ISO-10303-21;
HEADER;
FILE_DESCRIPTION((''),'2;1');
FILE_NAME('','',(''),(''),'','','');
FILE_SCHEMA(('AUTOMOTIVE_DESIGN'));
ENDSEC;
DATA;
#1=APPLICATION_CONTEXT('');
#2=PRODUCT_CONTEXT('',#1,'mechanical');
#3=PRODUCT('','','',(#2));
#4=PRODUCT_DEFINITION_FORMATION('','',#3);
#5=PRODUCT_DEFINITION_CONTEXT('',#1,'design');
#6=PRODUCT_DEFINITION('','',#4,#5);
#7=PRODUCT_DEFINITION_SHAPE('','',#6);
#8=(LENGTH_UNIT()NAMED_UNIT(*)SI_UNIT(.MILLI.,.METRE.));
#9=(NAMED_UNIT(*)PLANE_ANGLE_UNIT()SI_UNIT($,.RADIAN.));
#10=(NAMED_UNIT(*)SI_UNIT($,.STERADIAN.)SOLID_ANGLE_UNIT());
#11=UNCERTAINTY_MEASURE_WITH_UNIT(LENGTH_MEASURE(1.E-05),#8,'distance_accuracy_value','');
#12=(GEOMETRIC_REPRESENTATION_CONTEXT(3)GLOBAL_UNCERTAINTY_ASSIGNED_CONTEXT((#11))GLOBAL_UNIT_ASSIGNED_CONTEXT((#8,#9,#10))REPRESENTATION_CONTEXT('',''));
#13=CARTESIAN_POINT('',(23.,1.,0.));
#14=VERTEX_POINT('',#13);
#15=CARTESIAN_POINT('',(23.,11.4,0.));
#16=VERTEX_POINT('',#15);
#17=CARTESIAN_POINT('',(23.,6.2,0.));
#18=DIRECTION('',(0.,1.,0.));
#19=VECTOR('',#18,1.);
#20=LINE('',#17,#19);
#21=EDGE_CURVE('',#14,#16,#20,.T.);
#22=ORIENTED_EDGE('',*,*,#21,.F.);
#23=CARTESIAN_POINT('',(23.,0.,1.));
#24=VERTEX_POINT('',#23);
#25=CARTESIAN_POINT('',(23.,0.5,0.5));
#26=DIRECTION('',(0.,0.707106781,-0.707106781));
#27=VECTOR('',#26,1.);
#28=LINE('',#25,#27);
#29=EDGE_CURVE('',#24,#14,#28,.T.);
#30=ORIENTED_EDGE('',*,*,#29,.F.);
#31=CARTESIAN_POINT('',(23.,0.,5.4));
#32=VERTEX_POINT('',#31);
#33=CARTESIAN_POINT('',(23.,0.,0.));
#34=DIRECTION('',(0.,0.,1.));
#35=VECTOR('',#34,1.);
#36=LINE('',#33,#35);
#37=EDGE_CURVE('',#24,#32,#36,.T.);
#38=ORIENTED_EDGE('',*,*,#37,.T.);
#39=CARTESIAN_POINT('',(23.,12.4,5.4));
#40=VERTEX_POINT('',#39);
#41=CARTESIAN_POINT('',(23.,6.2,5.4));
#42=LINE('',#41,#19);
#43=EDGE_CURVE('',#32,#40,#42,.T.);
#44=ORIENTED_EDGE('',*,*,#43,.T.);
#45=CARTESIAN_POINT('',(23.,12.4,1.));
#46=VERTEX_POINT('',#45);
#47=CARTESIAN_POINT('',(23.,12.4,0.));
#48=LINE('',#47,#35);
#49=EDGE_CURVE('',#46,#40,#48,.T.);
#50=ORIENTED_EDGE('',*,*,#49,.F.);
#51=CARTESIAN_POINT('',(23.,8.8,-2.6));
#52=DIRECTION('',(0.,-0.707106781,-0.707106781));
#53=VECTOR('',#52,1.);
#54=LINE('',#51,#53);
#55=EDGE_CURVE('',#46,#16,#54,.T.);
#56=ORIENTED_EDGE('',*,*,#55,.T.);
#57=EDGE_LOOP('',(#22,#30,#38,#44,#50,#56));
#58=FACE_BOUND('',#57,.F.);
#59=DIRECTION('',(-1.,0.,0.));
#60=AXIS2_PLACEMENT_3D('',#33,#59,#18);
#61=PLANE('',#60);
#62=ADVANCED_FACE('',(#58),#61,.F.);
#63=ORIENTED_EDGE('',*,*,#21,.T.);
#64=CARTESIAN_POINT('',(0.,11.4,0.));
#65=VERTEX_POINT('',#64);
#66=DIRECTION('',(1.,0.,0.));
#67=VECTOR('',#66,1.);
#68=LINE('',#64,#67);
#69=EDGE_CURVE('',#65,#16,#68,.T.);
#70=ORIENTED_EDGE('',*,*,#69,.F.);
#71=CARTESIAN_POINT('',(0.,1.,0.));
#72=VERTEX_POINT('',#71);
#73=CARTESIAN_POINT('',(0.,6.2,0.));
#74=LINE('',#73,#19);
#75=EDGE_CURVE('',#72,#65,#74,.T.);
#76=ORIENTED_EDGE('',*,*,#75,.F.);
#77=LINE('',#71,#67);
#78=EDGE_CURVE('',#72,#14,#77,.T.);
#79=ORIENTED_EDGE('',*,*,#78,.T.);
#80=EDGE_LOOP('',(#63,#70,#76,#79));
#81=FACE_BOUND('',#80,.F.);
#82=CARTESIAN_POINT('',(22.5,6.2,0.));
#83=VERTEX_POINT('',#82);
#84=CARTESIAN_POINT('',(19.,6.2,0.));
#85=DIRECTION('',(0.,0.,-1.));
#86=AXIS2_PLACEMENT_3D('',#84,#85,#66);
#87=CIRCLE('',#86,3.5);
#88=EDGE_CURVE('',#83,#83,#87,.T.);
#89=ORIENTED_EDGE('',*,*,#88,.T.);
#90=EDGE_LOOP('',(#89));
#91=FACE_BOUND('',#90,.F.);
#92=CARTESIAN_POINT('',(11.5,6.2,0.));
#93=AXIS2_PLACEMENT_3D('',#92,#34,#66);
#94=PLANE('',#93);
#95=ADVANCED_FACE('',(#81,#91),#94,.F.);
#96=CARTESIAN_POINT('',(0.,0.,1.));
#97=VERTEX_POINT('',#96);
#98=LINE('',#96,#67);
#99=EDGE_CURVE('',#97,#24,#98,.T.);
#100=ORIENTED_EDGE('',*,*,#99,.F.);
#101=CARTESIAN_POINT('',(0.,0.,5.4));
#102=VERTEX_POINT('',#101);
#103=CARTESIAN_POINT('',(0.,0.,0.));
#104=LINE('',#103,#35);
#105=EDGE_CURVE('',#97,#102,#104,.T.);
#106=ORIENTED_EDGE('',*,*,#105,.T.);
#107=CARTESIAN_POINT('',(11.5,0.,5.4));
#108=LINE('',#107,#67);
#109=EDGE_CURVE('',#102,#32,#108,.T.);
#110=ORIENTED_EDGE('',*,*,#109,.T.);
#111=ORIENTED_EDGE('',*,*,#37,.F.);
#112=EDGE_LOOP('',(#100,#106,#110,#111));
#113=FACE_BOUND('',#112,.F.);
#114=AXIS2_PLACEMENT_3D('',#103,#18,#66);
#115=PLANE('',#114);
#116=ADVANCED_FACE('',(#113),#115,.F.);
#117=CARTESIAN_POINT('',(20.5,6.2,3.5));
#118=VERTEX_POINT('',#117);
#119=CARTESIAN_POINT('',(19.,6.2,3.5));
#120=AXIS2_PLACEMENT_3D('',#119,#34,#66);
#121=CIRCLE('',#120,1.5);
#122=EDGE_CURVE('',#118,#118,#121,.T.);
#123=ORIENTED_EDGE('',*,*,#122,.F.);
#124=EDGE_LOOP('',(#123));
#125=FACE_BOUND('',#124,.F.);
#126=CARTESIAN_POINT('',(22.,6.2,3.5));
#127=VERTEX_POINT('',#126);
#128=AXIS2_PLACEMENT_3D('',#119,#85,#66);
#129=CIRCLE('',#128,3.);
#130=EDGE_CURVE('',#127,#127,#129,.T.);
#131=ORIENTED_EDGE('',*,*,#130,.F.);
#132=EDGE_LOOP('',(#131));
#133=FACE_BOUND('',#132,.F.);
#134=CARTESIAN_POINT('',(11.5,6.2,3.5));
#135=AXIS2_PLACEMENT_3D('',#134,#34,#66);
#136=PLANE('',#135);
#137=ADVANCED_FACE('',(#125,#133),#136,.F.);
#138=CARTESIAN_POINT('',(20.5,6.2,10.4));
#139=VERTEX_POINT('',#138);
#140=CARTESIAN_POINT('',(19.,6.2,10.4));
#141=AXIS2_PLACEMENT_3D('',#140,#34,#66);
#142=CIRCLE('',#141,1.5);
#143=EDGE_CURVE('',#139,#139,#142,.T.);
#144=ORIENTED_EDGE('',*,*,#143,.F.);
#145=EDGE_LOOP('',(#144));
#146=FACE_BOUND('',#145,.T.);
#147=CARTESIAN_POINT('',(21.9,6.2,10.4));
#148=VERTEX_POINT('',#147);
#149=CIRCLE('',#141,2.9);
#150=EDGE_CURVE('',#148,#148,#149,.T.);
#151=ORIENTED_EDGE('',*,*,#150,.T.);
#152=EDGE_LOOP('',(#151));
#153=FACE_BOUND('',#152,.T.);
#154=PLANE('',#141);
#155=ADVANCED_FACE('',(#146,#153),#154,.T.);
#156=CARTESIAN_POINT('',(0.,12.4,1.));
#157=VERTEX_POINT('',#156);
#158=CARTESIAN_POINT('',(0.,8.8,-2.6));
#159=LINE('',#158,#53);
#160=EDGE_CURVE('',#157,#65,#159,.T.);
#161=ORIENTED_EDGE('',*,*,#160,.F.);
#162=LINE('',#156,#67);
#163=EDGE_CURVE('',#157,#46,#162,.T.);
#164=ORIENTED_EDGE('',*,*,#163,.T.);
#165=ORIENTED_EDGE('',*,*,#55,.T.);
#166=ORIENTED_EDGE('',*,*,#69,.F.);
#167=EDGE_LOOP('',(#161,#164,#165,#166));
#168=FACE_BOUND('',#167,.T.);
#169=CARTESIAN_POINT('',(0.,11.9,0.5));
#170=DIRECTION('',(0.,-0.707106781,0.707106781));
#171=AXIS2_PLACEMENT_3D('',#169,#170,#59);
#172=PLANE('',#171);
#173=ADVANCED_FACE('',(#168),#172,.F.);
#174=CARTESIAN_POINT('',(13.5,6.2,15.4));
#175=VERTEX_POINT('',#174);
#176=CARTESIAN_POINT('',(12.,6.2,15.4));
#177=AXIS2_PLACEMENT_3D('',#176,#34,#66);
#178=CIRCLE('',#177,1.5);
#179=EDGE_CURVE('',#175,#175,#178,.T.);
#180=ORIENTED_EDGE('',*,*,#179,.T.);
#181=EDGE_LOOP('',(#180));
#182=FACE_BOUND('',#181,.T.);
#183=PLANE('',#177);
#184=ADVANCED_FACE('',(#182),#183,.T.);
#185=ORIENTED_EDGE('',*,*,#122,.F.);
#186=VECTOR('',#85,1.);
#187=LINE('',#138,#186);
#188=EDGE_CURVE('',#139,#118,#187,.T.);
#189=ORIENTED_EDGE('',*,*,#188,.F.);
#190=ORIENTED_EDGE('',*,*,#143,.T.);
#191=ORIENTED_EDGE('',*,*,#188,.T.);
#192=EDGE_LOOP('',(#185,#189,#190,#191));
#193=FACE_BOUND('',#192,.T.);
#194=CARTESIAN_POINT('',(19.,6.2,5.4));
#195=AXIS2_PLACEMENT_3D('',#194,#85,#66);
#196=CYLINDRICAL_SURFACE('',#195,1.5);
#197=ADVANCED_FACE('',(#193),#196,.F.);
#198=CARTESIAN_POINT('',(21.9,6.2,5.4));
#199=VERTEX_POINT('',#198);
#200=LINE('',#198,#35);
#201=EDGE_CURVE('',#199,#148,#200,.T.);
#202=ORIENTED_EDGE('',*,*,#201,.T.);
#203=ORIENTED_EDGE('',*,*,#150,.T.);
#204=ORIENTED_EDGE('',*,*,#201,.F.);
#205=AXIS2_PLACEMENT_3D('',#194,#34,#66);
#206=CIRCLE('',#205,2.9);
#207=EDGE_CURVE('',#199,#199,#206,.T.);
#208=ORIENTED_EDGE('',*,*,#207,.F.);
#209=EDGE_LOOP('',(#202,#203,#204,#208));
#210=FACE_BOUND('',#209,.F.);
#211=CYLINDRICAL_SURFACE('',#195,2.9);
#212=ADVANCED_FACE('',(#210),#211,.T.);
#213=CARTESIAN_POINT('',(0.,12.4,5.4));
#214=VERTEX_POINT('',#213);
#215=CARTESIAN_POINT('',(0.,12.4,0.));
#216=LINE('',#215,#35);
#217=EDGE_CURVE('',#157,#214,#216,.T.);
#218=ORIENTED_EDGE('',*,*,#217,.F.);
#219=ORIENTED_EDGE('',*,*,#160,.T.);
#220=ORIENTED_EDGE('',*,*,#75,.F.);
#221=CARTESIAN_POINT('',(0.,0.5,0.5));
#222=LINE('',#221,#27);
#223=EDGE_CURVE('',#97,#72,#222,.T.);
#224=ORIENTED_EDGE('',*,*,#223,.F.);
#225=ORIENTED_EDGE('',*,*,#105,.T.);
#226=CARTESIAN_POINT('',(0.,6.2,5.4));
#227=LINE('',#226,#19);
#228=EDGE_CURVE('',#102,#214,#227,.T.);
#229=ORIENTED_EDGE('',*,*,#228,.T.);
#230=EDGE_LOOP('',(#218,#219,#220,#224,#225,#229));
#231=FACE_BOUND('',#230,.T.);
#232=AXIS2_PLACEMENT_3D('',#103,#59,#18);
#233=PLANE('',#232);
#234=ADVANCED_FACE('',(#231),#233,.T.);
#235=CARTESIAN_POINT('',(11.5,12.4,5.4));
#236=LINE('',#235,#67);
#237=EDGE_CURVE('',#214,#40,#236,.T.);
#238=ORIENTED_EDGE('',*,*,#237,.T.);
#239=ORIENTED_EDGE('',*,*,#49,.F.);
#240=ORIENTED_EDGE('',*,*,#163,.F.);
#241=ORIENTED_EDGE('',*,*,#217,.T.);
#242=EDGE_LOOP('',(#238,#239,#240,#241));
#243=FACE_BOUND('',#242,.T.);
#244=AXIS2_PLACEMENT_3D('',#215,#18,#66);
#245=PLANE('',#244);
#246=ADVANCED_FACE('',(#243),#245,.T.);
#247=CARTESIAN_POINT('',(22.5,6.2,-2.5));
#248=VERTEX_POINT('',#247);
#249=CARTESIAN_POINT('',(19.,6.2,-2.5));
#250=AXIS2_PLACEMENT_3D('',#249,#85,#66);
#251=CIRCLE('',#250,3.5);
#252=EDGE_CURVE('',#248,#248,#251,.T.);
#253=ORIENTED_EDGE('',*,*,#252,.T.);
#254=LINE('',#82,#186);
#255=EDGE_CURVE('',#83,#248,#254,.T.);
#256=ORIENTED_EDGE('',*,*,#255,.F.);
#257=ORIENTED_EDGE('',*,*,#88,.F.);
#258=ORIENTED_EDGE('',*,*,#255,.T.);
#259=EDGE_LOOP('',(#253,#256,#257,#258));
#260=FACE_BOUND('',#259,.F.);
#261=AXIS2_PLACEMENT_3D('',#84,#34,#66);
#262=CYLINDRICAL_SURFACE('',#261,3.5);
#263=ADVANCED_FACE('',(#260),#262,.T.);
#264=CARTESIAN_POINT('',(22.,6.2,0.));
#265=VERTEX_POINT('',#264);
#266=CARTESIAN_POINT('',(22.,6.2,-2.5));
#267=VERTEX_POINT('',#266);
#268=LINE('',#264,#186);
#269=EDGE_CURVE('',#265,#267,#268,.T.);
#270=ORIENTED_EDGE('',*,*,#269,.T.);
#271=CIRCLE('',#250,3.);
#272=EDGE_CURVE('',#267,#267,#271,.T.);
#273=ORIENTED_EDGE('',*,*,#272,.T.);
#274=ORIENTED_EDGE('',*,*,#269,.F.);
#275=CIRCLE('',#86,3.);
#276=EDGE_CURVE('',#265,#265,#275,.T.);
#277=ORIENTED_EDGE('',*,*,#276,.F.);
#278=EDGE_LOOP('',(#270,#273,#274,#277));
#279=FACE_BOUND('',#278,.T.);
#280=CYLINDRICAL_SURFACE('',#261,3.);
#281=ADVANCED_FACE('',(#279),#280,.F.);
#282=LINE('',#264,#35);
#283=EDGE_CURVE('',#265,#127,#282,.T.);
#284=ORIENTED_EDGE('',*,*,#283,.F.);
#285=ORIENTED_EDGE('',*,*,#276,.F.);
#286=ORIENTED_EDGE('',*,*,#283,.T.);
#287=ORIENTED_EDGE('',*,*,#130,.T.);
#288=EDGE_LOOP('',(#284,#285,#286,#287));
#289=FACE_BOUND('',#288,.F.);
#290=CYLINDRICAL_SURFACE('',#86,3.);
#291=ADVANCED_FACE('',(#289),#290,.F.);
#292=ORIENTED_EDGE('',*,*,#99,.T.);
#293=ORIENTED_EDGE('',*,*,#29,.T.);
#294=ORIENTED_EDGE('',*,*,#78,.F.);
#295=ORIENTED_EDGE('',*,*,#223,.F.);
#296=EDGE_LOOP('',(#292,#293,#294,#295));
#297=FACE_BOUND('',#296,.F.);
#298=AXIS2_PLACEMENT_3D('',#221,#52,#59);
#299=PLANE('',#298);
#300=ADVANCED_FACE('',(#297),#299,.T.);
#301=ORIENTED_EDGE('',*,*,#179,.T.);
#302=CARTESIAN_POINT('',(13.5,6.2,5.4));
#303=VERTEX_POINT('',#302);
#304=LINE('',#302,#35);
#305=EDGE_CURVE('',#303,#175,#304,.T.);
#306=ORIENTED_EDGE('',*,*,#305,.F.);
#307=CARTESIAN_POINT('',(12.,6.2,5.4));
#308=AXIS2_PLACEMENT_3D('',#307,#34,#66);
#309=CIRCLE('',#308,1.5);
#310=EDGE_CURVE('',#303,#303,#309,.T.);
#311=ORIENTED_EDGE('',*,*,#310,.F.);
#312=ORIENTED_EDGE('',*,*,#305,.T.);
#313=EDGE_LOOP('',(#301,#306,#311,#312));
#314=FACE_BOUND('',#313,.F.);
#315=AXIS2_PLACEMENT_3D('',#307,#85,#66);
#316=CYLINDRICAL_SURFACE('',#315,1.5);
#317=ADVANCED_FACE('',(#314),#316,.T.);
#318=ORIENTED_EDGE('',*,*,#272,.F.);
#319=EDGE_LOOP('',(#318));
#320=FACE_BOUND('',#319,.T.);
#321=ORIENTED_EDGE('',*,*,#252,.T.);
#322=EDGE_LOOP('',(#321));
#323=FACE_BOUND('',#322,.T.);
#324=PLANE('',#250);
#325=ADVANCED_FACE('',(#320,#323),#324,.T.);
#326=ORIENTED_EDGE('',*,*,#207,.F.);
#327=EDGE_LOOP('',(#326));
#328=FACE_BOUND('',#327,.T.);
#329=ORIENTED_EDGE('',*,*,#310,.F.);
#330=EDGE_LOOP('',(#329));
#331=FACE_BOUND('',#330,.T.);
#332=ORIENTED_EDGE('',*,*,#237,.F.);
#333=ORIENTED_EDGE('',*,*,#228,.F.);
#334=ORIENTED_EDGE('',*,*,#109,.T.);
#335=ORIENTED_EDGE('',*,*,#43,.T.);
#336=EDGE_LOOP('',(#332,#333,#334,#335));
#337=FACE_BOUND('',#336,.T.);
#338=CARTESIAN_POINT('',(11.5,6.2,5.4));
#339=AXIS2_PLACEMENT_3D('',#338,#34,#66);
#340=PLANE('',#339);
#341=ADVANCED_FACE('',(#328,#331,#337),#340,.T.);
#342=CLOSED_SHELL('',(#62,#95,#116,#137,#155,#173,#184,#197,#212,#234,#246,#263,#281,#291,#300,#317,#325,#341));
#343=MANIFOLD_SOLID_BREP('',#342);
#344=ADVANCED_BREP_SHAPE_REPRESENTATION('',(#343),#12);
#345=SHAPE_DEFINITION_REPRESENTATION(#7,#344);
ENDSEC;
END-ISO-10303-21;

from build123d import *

# Parameters (mm, degrees)
F0_W     = 23
F0_H     = 12.4
F0_R     = 1.5
F1_DEPTH = 5.4
F2_SIZE  = 1
F3_R     = 2.9
F3_R_2   = 1.5
F4_DEPTH = 5
F5_R     = 3.5
F5_R_2   = 3
F6_DEPTH = 2.5
F7_DEPTH = 3.5
F8_R     = 1.5
F9_DEPTH = 10


with BuildPart() as f1:
    # F0 (on Top) → F1 (new body)
    with BuildSketch(Plane.XY):
        with Locations((11.5, 6.2)):
            Rectangle(F0_W, F0_H)
        with Locations((19, 6.2)):
            Circle(F0_R, mode=Mode.SUBTRACT)
    extrude(amount=F1_DEPTH)

    # F2
    f2_edges = [f1.edges().sort_by_distance(p)[0] for p in [
        (11.5, 0, 0),
        (11.5, 12.4, 0),
    ]]
    chamfer(f2_edges, length=F2_SIZE)

    # F3 (on face) → F4 (join)
    with BuildSketch(Plane.XY.offset(5.4)):
        with Locations((19, 6.2)):
            Circle(F3_R)
        with Locations((19, 6.2)):
            Circle(F3_R_2, mode=Mode.SUBTRACT)
    extrude(amount=F4_DEPTH)

    # F5 (on face) → F6 (join)
    with BuildSketch(Plane(origin=(0, 0, 0), x_dir=(1, 0, 0), z_dir=(0, 0, -1))):
        with Locations((19, -6.2)):
            Circle(F5_R)
        with Locations((19, -6.2)):
            Circle(F5_R_2, mode=Mode.SUBTRACT)
    extrude(amount=F6_DEPTH)

    # F7 (cut): a face of the model
    f7_faces = [f1.faces().sort_by_distance(p)[0] for p in [
        (16.0848528137, 6.2, 0),
    ]]
    extrude(f7_faces, amount=-F7_DEPTH, mode=Mode.SUBTRACT)

    # F8 (on face) → F9 (join)
    with BuildSketch(Plane.XY.offset(5.4)):
        with Locations((12, 6.2)):
            Circle(F8_R)
    extrude(amount=F9_DEPTH)


solid = f1.part
